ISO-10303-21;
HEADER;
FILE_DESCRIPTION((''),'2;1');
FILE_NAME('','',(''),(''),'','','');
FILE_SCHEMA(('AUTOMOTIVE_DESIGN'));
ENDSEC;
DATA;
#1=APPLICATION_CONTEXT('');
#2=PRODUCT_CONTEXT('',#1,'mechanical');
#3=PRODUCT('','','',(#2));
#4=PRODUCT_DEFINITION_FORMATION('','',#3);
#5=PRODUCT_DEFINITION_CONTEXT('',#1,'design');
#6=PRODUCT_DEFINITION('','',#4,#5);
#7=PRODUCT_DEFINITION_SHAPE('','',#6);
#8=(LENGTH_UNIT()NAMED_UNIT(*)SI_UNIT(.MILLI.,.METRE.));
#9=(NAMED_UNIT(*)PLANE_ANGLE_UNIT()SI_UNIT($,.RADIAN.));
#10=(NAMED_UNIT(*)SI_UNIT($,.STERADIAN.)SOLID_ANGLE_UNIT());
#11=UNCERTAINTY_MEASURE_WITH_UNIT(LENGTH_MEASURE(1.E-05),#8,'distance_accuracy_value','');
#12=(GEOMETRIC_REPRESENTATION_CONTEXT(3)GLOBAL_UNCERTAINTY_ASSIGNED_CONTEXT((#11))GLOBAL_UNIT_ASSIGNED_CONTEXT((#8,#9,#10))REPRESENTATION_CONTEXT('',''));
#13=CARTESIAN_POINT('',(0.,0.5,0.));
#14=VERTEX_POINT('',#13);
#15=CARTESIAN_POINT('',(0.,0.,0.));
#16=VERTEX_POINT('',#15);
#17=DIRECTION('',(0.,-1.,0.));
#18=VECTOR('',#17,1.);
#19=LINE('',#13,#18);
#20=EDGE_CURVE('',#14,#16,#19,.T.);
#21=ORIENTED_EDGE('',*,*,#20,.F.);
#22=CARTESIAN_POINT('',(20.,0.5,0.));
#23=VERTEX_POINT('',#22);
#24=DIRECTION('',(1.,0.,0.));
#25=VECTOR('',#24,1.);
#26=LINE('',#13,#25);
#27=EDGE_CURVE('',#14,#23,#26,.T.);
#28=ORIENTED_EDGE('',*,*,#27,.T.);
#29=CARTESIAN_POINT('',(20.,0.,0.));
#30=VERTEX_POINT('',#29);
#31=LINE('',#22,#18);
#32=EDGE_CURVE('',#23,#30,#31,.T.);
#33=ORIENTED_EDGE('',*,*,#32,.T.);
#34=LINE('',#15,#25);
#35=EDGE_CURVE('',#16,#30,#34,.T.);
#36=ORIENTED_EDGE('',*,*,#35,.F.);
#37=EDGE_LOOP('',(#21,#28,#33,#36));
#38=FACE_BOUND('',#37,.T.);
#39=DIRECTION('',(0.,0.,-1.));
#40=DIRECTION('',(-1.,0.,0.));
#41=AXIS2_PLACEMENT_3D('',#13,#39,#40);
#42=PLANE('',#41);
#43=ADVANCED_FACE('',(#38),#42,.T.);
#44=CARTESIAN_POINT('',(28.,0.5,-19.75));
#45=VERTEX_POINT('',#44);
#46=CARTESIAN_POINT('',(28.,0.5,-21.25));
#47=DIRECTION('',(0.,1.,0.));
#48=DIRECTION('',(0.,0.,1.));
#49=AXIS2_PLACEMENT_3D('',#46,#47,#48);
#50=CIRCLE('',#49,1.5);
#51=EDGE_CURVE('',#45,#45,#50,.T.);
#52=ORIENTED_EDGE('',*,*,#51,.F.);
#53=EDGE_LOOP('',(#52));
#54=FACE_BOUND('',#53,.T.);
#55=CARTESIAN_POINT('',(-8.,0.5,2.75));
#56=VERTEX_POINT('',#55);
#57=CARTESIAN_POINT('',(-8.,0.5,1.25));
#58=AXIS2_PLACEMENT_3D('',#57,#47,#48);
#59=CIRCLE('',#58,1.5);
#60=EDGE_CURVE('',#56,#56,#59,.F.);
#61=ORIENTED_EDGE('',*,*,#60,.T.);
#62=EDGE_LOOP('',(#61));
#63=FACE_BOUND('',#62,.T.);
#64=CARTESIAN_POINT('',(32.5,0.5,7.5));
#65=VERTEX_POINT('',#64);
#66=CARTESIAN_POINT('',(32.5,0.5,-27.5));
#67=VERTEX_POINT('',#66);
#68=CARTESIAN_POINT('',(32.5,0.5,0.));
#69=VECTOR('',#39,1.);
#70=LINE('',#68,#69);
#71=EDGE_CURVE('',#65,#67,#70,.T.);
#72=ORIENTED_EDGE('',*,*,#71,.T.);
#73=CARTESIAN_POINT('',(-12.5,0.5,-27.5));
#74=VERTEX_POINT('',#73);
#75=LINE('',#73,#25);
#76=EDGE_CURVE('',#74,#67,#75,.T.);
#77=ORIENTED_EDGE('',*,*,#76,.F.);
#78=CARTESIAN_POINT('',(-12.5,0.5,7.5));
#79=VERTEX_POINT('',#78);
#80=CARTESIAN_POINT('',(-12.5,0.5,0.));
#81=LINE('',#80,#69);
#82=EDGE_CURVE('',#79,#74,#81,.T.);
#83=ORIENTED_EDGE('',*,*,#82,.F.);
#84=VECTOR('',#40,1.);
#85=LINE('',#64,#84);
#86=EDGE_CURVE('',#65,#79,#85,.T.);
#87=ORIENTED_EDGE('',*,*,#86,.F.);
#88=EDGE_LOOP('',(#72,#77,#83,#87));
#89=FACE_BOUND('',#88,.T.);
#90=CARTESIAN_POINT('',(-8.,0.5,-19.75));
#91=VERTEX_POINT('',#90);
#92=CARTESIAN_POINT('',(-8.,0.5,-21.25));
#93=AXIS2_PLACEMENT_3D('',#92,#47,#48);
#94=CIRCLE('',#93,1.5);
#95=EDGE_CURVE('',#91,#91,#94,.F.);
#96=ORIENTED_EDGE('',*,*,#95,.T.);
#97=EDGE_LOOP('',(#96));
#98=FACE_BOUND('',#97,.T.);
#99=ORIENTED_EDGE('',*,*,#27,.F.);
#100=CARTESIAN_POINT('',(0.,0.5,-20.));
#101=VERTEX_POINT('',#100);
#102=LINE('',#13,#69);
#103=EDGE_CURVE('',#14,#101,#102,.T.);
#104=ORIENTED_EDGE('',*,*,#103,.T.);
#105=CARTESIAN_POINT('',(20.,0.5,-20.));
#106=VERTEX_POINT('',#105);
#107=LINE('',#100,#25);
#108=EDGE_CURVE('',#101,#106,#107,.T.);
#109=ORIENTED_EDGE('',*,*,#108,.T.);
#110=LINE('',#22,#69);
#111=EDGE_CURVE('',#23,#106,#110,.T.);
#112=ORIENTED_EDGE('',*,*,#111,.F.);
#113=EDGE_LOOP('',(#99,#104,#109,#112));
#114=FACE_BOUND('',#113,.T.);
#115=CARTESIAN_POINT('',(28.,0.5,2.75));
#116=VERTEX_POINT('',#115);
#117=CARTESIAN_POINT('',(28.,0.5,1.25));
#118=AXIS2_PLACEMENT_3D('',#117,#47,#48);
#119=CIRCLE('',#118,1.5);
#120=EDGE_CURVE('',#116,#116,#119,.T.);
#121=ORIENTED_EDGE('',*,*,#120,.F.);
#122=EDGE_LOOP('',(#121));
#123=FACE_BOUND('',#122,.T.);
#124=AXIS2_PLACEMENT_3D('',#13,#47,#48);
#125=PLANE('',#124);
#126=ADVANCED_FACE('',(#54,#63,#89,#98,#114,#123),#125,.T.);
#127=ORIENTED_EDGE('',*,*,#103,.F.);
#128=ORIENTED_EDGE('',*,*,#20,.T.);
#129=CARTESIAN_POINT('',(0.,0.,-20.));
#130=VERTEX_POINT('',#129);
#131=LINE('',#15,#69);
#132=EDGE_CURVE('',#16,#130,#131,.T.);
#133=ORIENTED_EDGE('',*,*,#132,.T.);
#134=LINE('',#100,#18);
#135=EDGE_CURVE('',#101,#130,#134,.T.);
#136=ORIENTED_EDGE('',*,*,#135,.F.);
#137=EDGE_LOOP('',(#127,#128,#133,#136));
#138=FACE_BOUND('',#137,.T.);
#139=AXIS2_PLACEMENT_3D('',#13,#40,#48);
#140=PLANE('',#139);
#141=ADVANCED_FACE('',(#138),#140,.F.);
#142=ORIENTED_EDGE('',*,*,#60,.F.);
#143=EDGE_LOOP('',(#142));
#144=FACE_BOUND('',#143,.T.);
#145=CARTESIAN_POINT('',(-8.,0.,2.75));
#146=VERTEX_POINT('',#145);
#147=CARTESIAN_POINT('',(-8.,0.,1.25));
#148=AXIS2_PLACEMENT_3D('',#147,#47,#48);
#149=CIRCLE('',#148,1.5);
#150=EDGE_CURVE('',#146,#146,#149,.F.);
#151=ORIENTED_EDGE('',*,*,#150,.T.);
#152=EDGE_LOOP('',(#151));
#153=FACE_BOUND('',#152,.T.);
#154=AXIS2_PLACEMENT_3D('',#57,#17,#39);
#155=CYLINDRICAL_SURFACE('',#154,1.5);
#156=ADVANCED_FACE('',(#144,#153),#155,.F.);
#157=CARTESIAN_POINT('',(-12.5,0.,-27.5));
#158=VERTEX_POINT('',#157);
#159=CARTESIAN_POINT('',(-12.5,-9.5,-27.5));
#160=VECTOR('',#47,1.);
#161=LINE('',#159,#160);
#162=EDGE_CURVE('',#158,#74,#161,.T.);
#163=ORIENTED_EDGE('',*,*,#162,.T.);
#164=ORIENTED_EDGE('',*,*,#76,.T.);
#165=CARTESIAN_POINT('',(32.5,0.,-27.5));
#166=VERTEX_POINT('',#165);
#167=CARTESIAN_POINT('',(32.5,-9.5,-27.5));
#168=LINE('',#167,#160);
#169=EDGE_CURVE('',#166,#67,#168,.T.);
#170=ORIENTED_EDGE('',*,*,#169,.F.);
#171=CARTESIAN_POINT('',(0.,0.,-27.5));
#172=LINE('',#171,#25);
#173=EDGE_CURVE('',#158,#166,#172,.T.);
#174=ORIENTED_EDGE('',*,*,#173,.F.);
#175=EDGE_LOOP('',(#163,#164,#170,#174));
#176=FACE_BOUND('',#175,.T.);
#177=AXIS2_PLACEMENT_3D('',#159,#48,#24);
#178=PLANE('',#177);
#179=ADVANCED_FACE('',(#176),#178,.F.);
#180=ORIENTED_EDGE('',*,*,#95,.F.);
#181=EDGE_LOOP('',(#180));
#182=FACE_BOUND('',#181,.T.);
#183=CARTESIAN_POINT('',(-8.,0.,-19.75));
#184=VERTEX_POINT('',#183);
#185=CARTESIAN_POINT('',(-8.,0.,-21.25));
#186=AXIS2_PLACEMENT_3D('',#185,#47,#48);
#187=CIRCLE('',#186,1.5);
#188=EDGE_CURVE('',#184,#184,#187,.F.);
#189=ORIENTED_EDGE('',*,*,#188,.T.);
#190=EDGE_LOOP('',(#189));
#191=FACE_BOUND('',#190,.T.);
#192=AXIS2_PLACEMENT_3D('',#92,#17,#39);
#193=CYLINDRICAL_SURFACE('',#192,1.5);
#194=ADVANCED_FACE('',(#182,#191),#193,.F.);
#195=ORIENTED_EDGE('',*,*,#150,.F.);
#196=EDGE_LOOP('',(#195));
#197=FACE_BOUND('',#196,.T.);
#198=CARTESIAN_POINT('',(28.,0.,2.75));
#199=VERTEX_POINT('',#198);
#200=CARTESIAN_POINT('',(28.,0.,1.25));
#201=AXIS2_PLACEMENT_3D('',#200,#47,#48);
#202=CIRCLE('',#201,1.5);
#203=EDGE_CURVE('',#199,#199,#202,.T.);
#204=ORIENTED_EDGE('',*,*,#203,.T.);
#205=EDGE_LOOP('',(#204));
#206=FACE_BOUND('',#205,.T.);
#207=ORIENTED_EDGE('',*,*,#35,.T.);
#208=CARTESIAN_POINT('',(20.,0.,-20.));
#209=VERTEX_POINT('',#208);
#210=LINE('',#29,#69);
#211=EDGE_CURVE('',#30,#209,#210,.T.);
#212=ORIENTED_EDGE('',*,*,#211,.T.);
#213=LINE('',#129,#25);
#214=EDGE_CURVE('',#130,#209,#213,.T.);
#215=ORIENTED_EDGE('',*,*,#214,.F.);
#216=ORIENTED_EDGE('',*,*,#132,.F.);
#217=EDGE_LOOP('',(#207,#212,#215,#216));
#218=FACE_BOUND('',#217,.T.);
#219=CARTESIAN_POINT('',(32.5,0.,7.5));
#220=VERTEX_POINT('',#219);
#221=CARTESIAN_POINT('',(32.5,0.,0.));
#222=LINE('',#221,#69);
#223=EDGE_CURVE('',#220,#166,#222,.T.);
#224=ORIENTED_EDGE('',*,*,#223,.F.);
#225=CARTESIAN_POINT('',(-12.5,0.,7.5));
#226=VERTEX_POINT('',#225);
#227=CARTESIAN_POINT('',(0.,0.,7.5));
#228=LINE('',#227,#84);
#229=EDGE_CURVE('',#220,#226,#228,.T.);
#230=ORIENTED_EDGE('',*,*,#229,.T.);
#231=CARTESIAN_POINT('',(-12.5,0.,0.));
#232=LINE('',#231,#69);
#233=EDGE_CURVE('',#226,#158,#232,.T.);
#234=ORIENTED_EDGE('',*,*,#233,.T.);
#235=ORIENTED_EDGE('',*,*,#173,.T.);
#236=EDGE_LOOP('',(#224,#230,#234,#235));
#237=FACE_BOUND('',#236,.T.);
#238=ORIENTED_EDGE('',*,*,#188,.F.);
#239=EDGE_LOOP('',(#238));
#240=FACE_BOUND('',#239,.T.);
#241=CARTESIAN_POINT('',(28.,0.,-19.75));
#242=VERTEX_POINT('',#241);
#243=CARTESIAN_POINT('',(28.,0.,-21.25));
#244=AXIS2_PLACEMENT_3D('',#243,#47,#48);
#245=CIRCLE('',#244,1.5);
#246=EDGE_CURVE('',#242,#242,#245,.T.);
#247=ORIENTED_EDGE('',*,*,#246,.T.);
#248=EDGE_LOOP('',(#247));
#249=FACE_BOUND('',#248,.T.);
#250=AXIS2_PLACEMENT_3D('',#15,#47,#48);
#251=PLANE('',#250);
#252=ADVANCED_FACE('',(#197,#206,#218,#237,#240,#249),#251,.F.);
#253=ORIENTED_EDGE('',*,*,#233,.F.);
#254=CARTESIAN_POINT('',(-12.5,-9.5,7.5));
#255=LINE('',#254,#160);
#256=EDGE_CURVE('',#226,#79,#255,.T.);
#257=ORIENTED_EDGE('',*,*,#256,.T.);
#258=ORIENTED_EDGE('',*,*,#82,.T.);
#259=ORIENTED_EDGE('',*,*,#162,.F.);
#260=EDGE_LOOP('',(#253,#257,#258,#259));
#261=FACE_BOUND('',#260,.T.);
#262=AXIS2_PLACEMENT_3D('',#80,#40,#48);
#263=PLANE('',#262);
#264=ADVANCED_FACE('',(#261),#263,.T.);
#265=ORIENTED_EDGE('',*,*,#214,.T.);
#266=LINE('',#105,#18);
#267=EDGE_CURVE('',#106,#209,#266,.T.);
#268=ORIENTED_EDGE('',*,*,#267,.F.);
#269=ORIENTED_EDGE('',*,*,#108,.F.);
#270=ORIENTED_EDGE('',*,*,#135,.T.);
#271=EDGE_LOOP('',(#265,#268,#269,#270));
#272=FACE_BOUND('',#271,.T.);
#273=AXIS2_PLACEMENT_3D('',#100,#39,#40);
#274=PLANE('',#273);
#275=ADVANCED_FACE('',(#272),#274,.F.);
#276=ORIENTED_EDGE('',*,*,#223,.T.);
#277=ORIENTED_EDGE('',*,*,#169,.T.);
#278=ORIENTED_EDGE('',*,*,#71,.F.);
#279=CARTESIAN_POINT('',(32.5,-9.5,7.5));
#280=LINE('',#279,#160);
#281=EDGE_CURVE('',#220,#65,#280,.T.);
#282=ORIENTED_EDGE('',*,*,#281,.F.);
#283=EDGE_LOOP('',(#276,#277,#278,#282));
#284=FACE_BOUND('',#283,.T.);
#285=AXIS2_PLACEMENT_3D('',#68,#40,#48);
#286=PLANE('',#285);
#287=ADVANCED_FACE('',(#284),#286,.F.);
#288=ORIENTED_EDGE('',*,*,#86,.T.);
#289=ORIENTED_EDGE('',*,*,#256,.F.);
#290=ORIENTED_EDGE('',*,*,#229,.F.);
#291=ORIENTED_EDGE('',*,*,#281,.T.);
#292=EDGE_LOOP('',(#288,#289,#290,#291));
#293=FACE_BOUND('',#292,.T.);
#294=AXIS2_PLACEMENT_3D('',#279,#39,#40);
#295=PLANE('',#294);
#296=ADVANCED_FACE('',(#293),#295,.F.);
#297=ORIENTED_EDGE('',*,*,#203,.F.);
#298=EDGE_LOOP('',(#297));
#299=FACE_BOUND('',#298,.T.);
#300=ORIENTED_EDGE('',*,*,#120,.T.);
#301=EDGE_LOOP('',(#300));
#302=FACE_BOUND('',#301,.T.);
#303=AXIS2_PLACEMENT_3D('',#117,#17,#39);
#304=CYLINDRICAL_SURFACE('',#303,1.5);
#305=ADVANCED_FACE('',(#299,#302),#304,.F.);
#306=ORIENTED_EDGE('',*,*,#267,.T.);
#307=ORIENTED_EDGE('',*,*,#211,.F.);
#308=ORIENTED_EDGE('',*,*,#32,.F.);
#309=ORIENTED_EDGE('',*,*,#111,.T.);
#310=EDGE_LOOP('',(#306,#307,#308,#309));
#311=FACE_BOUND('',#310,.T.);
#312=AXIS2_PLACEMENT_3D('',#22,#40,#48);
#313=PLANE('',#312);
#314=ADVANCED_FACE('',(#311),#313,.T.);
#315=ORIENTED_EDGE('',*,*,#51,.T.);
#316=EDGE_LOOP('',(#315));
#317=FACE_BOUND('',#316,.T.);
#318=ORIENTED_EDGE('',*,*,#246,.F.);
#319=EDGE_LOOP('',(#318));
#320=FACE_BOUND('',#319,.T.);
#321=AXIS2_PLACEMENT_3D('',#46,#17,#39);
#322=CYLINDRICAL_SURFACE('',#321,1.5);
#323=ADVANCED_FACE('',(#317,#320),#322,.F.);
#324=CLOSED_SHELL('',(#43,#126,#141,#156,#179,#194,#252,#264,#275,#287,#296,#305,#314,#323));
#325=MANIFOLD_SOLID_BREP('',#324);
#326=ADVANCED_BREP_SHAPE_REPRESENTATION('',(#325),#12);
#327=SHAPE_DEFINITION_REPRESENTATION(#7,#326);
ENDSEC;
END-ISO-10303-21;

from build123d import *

# Parameters (mm, degrees)
CROQUIS1_R              = 1.5
CROQUIS1_W              = 20
CROQUIS1_H              = 20
SALIENTE_EXTRUIR1_DEPTH = 0.5
CROQUIS2_W              = 45
CROQUIS2_H              = 5
CORTAR_EXTRUIR1_DEPTH   = 10


with BuildPart() as part:
    # Croquis1 → Saliente-Extruir1 (new body)
    with BuildSketch(Plane(origin=(0, 0, 0), x_dir=(1, 0, 0), z_dir=(0, 1, 0))):
        with BuildLine():
            ThreePointArc((-12.5, -12.398453182), (-12.449747468, -12.449747468), (-12.398453182, -12.5))
            Line((-12.398453182, -12.5), (32.5, -12.5))
            Line((32.5, -12.5), (32.5, 32.5))
            Line((32.5, 32.5), (-12.5, 32.5))
            Line((-12.5, 32.5), (-12.5, -12.398453182))
        make_face()
        with Locations(Location((-8, -1.25, 0), (0, 0, 270))):
            Circle(CROQUIS1_R, mode=Mode.SUBTRACT)
        with Locations(Location((28, -1.25, 0), (0, 0, 270))):
            Circle(CROQUIS1_R, mode=Mode.SUBTRACT)
        with Locations(Location((-8, 21.25, 0), (0, 0, 270))):
            Circle(CROQUIS1_R, mode=Mode.SUBTRACT)
        with Locations((10, 10)):
            Rectangle(CROQUIS1_W, CROQUIS1_H, mode=Mode.SUBTRACT)
        with Locations(Location((28, 21.25, 0), (0, 0, 270))):
            Circle(CROQUIS1_R, mode=Mode.SUBTRACT)
    extrude(amount=SALIENTE_EXTRUIR1_DEPTH)

    # Croquis2 → Cortar-Extruir1 (cut)
    with BuildSketch(Plane(origin=(0, 0.5, 0), x_dir=(1, 0, 0), z_dir=(0, 1, 0))):
        with Locations((10, 30)):
            Rectangle(CROQUIS2_W, CROQUIS2_H)
        with Locations((10, -10)):
            Rectangle(CROQUIS2_W, CROQUIS2_H)
    extrude(amount=-CORTAR_EXTRUIR1_DEPTH, mode=Mode.SUBTRACT)


solid = part.part
